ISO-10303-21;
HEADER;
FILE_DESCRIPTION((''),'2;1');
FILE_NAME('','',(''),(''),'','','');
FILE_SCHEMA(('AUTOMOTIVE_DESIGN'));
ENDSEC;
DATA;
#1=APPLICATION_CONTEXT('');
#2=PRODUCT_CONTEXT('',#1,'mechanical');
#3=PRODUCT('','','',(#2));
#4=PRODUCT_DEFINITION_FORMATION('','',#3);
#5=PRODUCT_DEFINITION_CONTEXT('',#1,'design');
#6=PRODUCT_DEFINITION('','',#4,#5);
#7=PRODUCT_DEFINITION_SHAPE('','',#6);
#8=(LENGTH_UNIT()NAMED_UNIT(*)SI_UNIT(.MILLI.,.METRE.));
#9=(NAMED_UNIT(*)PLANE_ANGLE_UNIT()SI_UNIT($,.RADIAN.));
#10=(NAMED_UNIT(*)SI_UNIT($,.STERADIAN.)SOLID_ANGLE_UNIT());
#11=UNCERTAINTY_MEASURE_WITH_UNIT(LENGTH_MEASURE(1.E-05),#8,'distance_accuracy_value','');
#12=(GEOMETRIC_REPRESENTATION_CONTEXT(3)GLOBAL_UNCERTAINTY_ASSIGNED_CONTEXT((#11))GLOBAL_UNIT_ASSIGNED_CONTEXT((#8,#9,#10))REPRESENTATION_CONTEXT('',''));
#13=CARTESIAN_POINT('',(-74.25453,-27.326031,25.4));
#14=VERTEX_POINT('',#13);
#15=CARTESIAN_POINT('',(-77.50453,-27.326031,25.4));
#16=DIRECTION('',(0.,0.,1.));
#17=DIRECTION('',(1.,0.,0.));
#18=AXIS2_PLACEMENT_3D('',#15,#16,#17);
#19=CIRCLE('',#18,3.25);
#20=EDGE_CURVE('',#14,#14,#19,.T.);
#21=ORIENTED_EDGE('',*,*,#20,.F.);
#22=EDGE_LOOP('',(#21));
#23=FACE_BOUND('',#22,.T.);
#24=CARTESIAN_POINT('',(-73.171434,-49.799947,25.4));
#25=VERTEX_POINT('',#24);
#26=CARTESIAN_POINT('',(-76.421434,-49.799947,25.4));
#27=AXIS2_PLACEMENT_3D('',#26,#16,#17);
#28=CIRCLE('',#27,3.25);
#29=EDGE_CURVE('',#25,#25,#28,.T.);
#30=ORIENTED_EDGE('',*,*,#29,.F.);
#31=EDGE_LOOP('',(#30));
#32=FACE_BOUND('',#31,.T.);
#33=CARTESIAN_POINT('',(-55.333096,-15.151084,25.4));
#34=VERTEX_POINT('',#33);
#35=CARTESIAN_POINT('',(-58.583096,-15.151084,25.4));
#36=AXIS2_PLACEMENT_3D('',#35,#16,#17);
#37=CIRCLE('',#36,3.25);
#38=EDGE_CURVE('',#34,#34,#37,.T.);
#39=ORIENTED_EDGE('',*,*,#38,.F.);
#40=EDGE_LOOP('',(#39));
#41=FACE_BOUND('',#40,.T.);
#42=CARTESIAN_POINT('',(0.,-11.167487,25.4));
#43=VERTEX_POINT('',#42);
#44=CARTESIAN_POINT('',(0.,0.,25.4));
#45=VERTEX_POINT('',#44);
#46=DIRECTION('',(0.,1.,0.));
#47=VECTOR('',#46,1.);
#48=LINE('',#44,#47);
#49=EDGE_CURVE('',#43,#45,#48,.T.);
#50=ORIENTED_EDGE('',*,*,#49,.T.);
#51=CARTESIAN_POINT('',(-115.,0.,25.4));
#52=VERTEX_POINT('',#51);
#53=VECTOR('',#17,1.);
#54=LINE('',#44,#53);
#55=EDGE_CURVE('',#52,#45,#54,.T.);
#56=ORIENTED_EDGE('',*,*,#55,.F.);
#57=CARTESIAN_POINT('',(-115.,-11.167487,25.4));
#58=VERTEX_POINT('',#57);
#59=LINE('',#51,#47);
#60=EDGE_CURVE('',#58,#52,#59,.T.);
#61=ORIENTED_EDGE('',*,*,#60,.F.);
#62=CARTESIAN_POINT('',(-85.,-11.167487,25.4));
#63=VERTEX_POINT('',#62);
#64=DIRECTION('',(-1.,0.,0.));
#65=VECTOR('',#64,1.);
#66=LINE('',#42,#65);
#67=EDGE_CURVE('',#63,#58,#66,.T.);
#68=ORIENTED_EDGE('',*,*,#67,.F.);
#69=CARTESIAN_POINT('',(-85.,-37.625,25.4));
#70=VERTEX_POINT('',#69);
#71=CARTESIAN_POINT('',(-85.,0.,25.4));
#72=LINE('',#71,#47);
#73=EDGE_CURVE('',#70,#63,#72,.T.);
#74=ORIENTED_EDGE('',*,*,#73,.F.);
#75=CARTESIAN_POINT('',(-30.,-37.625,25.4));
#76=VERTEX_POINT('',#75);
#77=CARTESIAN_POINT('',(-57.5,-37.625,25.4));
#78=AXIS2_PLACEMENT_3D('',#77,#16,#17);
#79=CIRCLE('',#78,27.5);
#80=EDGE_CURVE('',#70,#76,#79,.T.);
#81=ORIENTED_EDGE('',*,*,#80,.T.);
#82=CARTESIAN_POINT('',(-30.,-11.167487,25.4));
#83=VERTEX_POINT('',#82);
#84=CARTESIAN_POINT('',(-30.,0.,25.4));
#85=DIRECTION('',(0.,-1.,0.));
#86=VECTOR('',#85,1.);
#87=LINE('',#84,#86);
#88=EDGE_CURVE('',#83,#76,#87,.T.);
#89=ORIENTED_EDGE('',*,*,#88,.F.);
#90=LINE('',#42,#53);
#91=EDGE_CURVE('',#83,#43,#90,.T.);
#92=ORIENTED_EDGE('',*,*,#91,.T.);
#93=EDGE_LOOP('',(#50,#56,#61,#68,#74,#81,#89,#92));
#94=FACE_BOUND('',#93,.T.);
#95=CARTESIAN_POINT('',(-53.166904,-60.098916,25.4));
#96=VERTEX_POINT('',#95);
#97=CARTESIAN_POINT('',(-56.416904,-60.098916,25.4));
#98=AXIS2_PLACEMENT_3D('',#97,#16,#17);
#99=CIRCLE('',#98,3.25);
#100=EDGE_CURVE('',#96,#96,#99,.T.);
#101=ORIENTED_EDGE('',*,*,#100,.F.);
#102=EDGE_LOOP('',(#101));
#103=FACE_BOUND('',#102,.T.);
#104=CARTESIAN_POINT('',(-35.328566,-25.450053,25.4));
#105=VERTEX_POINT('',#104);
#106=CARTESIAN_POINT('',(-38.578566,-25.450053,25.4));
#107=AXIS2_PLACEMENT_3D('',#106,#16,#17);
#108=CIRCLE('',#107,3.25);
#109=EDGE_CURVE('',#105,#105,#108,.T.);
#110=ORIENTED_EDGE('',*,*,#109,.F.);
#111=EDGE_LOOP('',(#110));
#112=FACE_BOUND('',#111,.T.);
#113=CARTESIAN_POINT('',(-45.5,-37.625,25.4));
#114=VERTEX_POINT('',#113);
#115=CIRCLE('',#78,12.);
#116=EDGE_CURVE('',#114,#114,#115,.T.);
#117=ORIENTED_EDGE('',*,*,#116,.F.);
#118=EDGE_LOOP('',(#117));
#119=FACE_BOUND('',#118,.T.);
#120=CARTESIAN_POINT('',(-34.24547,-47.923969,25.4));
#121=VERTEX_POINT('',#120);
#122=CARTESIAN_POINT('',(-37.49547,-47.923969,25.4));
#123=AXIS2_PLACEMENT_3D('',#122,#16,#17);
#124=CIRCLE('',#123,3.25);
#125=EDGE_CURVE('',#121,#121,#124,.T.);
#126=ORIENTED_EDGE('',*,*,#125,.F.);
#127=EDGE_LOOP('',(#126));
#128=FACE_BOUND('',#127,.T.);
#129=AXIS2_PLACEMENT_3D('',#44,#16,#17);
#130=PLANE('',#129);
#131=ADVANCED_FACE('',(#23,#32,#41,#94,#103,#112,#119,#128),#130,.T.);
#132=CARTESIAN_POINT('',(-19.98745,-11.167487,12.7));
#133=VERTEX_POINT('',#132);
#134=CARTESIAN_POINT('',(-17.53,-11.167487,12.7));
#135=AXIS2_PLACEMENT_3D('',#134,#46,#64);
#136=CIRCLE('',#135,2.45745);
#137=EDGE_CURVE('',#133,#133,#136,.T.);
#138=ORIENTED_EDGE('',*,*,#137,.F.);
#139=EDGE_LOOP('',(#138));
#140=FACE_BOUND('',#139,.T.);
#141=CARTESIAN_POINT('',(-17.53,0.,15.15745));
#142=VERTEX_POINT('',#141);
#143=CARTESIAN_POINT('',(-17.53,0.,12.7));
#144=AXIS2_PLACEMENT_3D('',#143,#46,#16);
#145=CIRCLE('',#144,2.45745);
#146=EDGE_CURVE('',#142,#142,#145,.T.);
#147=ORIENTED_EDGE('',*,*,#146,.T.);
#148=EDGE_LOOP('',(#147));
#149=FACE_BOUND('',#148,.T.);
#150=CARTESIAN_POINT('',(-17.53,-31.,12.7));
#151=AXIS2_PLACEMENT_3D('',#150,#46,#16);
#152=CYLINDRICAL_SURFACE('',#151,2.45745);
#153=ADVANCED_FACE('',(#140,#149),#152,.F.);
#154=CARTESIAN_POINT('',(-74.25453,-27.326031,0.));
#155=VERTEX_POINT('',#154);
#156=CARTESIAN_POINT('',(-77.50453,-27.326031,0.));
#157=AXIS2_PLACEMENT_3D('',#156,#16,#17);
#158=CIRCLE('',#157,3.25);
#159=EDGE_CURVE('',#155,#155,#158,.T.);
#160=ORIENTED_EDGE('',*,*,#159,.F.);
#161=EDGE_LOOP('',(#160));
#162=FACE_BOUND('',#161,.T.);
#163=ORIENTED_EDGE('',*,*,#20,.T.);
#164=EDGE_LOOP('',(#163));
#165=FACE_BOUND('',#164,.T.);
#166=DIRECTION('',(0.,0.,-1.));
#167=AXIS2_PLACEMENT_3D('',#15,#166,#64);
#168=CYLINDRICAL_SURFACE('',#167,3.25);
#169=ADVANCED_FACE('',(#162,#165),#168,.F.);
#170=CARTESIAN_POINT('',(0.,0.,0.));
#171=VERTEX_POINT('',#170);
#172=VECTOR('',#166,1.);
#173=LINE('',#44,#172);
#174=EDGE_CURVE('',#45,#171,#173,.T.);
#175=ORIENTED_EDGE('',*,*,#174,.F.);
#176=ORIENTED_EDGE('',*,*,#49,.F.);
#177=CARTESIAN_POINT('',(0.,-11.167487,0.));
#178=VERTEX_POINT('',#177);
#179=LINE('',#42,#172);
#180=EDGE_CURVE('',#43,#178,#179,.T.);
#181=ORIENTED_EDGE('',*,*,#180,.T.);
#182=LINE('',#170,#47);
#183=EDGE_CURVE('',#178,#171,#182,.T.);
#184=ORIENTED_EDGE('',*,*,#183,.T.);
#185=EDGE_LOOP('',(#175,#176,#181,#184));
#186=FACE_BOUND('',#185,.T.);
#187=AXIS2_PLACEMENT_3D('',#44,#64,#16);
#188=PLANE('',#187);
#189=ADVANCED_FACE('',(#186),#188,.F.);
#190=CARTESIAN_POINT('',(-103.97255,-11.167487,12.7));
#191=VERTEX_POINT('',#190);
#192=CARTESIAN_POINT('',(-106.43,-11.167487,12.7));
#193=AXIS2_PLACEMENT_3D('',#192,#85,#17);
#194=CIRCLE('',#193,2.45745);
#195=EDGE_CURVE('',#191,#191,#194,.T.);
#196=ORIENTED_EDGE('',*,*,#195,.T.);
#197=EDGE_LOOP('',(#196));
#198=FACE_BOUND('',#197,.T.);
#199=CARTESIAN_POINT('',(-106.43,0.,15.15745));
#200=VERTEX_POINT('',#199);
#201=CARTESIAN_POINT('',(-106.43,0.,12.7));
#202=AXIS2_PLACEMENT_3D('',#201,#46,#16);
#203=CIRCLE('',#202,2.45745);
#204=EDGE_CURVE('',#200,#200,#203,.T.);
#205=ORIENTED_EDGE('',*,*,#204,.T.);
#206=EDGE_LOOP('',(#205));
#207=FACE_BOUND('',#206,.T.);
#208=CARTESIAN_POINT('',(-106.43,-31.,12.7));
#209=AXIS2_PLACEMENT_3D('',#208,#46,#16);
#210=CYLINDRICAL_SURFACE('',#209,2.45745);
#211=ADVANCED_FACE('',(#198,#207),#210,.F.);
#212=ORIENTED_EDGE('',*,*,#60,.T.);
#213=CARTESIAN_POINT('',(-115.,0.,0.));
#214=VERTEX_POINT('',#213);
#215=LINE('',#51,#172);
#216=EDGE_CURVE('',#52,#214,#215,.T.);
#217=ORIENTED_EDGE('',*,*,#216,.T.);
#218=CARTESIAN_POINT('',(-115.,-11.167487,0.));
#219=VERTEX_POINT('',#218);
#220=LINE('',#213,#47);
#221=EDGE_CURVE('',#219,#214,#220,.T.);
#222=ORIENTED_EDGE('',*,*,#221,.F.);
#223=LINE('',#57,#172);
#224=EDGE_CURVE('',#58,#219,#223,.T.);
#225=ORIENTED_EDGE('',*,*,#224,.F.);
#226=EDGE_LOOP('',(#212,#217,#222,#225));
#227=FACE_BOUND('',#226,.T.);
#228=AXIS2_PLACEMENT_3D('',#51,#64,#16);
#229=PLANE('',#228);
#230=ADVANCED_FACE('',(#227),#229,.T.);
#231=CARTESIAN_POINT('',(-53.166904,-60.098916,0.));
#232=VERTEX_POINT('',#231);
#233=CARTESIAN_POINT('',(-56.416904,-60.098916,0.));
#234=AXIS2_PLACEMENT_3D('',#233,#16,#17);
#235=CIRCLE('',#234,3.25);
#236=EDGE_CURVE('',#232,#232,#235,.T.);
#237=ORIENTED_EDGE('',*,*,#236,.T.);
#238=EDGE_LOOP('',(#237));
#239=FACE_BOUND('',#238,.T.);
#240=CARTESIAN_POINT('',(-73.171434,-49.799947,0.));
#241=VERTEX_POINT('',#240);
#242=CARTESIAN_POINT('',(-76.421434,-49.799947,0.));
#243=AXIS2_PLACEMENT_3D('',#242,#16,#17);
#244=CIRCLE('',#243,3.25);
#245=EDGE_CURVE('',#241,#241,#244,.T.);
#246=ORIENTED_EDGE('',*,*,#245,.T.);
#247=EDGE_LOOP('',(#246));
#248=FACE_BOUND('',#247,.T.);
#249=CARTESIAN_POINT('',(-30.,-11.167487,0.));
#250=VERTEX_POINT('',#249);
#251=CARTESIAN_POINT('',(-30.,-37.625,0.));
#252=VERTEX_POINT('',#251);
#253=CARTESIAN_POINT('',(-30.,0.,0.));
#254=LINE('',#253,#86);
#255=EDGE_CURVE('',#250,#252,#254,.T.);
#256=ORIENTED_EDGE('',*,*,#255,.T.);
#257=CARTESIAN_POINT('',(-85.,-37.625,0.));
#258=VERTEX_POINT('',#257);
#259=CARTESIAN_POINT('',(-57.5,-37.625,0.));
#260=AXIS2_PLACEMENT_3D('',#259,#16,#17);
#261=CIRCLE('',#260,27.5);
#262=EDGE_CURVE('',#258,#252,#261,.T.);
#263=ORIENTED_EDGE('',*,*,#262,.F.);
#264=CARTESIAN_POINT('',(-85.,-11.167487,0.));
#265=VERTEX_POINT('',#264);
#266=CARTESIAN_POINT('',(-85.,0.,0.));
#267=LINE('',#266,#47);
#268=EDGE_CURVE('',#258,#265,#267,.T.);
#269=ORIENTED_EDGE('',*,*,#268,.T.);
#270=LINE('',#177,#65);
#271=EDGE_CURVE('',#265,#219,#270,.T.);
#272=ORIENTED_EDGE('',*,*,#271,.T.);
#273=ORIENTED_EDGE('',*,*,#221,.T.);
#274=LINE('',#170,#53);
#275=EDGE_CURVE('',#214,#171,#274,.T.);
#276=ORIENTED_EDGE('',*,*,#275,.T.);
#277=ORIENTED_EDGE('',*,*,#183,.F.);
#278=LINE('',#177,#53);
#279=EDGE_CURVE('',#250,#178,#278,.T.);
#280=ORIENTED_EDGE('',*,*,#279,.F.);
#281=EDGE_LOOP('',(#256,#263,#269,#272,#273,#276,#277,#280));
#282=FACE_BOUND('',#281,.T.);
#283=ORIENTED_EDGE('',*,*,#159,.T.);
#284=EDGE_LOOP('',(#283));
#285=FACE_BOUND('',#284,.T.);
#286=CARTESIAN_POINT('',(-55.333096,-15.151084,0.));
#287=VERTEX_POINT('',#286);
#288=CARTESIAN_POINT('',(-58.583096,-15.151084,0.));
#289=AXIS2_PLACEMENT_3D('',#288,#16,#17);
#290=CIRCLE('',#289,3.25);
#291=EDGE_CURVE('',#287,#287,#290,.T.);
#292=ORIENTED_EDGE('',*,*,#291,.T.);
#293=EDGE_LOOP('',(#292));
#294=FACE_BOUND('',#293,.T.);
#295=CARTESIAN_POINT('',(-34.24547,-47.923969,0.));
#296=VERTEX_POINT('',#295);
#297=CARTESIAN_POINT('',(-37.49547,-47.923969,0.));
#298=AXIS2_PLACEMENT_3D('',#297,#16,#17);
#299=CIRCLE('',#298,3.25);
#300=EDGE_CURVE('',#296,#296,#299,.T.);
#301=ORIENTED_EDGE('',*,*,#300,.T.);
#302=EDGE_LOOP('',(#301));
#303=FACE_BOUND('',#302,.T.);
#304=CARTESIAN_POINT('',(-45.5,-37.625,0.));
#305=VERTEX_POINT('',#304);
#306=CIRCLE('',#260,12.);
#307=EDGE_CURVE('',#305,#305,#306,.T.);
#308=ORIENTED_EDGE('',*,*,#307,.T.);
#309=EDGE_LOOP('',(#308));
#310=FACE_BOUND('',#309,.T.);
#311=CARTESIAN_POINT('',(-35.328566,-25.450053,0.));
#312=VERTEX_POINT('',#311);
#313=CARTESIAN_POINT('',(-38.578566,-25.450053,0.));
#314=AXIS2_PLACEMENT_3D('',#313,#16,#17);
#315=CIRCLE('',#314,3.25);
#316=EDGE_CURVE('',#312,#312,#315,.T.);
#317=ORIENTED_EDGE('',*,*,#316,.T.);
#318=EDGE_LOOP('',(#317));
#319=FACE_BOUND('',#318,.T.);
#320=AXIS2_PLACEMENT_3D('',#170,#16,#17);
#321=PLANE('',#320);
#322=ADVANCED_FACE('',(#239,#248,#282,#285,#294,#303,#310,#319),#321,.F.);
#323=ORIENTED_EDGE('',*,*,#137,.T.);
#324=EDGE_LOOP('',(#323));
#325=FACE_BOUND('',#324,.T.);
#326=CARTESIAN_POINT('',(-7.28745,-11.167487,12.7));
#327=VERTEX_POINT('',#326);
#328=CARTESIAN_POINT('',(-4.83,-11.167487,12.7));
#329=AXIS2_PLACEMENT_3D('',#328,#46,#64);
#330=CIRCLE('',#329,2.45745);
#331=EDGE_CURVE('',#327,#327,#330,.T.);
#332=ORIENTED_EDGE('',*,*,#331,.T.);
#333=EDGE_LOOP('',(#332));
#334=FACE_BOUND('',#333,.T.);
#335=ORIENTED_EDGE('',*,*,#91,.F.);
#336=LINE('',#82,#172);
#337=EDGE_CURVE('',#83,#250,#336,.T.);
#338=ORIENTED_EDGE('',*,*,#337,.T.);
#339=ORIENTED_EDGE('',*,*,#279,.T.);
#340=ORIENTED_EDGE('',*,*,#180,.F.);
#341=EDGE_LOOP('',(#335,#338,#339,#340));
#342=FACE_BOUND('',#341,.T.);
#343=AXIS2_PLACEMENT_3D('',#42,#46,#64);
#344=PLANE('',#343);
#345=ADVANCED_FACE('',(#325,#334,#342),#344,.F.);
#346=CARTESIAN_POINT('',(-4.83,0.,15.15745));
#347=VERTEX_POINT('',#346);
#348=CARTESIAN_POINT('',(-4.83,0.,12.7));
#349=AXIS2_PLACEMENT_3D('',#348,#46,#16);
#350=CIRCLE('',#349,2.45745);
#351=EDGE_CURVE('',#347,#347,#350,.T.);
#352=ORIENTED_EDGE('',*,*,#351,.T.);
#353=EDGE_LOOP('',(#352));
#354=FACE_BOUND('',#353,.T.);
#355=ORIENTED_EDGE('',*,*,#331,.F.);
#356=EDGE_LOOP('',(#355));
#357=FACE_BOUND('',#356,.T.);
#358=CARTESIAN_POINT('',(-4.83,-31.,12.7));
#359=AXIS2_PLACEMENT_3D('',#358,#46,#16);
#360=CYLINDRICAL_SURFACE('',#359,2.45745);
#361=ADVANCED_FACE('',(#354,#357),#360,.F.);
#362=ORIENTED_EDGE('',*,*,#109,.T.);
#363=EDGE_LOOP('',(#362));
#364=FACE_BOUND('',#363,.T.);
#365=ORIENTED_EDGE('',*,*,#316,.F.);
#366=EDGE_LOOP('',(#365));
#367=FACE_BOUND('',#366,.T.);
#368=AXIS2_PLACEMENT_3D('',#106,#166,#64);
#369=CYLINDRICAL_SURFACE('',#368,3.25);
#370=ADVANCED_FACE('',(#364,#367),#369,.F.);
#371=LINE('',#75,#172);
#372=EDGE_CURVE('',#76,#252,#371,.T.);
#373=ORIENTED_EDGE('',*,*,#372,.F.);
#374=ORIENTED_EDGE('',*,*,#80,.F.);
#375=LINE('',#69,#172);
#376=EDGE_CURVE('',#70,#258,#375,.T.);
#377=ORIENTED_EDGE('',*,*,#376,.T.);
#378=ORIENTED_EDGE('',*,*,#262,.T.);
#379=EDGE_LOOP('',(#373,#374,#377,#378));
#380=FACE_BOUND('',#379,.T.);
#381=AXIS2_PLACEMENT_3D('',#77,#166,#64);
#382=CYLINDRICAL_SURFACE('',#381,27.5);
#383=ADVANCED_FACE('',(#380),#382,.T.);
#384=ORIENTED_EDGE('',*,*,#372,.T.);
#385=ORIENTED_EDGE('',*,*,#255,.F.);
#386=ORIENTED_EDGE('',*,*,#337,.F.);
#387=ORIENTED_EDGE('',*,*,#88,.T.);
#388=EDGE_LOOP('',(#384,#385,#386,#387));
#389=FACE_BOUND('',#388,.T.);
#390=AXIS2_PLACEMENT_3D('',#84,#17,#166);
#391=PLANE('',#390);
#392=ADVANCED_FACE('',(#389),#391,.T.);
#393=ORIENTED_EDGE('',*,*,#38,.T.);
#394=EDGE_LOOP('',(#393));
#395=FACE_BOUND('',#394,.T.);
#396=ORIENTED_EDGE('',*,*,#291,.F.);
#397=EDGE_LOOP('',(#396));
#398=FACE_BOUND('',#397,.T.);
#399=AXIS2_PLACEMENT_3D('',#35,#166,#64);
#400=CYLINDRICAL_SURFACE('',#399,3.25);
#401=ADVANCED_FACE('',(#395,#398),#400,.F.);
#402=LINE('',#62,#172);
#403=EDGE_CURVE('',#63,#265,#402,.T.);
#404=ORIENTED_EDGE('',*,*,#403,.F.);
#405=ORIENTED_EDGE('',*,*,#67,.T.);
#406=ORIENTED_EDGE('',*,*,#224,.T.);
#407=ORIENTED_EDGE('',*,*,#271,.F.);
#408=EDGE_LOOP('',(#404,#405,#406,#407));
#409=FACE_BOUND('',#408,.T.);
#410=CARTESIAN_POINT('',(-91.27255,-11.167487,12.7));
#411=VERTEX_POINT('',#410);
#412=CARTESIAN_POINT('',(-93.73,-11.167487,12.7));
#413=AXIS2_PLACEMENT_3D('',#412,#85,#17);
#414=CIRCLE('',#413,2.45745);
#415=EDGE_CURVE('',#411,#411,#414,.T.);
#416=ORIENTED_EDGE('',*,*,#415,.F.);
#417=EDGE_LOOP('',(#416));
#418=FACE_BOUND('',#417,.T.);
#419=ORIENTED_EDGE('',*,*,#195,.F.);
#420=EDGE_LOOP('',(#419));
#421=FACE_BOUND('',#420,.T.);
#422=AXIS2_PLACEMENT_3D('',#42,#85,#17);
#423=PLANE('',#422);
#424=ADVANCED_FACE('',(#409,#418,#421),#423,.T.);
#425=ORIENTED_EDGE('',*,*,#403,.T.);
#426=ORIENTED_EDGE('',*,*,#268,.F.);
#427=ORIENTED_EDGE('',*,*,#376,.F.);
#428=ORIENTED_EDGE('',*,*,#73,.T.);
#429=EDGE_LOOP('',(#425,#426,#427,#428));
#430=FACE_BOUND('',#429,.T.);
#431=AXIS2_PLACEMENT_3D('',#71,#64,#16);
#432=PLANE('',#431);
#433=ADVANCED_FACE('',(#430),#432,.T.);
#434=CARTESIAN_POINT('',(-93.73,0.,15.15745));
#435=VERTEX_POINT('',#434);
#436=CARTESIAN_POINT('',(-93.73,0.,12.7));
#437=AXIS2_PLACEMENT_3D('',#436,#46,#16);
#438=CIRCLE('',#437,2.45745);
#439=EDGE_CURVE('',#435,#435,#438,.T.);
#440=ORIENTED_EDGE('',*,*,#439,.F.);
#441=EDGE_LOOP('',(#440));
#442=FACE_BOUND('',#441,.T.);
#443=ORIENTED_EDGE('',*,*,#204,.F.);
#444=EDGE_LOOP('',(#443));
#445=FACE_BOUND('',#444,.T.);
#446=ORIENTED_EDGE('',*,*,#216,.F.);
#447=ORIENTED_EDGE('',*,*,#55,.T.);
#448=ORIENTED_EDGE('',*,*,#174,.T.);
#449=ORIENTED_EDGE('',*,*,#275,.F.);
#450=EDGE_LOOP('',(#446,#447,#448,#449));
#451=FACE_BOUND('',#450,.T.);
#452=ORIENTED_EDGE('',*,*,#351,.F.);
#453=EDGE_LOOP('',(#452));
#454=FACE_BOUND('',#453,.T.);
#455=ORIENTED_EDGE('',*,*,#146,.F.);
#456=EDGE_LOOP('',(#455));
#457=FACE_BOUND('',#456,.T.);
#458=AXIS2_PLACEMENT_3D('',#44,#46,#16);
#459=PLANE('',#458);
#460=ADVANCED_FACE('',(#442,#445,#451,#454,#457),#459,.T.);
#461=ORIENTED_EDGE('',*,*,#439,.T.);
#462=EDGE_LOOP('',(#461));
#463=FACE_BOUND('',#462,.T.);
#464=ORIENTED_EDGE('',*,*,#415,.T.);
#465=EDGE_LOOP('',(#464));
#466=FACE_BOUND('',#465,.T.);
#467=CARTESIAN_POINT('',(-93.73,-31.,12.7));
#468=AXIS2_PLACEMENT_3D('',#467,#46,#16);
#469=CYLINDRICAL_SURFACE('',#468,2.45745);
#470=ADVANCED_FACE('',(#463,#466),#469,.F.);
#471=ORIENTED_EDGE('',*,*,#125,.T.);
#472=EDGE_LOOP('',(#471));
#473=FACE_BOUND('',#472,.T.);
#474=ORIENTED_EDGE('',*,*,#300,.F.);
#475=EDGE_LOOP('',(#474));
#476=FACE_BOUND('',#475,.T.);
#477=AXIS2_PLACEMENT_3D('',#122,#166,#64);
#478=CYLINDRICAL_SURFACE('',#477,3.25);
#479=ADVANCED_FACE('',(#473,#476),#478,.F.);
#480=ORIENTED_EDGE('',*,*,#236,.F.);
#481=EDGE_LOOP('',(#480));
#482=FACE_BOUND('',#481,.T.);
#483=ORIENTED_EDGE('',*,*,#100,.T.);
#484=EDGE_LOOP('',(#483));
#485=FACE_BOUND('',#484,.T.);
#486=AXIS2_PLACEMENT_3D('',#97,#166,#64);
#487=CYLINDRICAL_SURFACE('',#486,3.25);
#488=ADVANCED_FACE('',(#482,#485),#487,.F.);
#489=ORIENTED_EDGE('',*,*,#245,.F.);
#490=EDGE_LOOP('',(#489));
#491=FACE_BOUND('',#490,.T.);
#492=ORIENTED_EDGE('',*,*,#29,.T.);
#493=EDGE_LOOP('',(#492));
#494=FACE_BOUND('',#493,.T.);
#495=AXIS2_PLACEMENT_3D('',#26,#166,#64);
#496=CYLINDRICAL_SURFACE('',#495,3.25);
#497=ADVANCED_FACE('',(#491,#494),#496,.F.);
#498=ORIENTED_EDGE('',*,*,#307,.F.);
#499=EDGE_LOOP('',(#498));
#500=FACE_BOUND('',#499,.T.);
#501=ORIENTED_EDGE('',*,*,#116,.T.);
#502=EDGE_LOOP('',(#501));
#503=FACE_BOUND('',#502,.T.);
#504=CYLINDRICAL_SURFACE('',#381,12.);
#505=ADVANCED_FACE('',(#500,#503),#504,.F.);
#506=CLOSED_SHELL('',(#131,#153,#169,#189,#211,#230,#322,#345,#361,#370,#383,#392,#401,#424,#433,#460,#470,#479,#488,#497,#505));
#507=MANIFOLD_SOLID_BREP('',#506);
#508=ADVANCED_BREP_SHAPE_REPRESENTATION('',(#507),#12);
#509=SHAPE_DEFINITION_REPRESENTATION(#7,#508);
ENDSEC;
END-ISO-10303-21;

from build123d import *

# Parameters (mm, degrees)
SKETCH1_W           = 30
SKETCH1_H           = 11.167486893
SKETCH1_R           = 27.5
SKETCH1_R_2         = 3.25
SKETCH1_R_3         = 12
BOSS_EXTRUDE1_DEPTH = 25.4
SKETCH2_R           = 2.45745
CUT_EXTRUDE1_DEPTH  = 31


with BuildPart() as part:
    # Sketch1 → Boss-Extrude1 (new body)
    # profile 1 of 4: a face of its own
    with BuildSketch(Plane.XY):
        with Locations((-100, -5.583743447)):
            Rectangle(SKETCH1_W, SKETCH1_H)
    # profile 2 of 4: a face of its own
    with BuildSketch(Plane.XY):
        with BuildLine():
            Line((-85, -11.167486893), (-85, -37.625000004))
            ThreePointArc((-85, -37.625000004), (-57.5, -10.125000004), (-30, -37.625000004))
            Line((-30, -37.625000004), (-30, -11.167486893))
            Line((-30, -11.167486893), (-30, 0))
            Line((-30, 0), (-85, 0))
            Line((-85, 0), (-85, -11.167486893))
        make_face()
    # profile 3 of 4: a face of its own
    with BuildSketch(Plane.XY):
        with Locations((-57.5, -37.625000004)):
            Circle(SKETCH1_R)
        with Locations((-58.583096057, -15.151083947)):
            Circle(SKETCH1_R_2, mode=Mode.SUBTRACT)
        with Locations((-38.578565801, -25.450053276)):
            Circle(SKETCH1_R_2, mode=Mode.SUBTRACT)
        with Locations((-37.495469744, -47.923969333)):
            Circle(SKETCH1_R_2, mode=Mode.SUBTRACT)
        with Locations((-56.416903943, -60.098916061)):
            Circle(SKETCH1_R_2, mode=Mode.SUBTRACT)
        with Locations((-76.421434199, -49.799946732)):
            Circle(SKETCH1_R_2, mode=Mode.SUBTRACT)
        with Locations((-77.504530256, -27.326030675)):
            Circle(SKETCH1_R_2, mode=Mode.SUBTRACT)
        with Locations((-57.5, -37.625000004)):
            Circle(SKETCH1_R_3, mode=Mode.SUBTRACT)
    # profile 4 of 4: a face of its own
    with BuildSketch(Plane.XY):
        with Locations((-15, -5.583743447)):
            Rectangle(SKETCH1_W, SKETCH1_H)
    extrude(amount=BOSS_EXTRUDE1_DEPTH)

    # Sketch2 → Cut-Extrude1 (cut)
    with BuildSketch(Plane(origin=(0, 0, 0), x_dir=(1, 0, 0), z_dir=(0, 1, 0))):
        with Locations(Location((-93.73, -12.7, 0), (0, 0, 270))):
            Circle(SKETCH2_R)
        with Locations(Location((-106.43, -12.7, 0), (0, 0, 270))):
            Circle(SKETCH2_R)
        with Locations(Location((-17.53, -12.7, 0), (0, 0, 270))):
            Circle(SKETCH2_R)
        with Locations(Location((-4.83, -12.7, 0), (0, 0, 270))):
            Circle(SKETCH2_R)
    extrude(amount=-CUT_EXTRUDE1_DEPTH, mode=Mode.SUBTRACT)


solid = part.part
